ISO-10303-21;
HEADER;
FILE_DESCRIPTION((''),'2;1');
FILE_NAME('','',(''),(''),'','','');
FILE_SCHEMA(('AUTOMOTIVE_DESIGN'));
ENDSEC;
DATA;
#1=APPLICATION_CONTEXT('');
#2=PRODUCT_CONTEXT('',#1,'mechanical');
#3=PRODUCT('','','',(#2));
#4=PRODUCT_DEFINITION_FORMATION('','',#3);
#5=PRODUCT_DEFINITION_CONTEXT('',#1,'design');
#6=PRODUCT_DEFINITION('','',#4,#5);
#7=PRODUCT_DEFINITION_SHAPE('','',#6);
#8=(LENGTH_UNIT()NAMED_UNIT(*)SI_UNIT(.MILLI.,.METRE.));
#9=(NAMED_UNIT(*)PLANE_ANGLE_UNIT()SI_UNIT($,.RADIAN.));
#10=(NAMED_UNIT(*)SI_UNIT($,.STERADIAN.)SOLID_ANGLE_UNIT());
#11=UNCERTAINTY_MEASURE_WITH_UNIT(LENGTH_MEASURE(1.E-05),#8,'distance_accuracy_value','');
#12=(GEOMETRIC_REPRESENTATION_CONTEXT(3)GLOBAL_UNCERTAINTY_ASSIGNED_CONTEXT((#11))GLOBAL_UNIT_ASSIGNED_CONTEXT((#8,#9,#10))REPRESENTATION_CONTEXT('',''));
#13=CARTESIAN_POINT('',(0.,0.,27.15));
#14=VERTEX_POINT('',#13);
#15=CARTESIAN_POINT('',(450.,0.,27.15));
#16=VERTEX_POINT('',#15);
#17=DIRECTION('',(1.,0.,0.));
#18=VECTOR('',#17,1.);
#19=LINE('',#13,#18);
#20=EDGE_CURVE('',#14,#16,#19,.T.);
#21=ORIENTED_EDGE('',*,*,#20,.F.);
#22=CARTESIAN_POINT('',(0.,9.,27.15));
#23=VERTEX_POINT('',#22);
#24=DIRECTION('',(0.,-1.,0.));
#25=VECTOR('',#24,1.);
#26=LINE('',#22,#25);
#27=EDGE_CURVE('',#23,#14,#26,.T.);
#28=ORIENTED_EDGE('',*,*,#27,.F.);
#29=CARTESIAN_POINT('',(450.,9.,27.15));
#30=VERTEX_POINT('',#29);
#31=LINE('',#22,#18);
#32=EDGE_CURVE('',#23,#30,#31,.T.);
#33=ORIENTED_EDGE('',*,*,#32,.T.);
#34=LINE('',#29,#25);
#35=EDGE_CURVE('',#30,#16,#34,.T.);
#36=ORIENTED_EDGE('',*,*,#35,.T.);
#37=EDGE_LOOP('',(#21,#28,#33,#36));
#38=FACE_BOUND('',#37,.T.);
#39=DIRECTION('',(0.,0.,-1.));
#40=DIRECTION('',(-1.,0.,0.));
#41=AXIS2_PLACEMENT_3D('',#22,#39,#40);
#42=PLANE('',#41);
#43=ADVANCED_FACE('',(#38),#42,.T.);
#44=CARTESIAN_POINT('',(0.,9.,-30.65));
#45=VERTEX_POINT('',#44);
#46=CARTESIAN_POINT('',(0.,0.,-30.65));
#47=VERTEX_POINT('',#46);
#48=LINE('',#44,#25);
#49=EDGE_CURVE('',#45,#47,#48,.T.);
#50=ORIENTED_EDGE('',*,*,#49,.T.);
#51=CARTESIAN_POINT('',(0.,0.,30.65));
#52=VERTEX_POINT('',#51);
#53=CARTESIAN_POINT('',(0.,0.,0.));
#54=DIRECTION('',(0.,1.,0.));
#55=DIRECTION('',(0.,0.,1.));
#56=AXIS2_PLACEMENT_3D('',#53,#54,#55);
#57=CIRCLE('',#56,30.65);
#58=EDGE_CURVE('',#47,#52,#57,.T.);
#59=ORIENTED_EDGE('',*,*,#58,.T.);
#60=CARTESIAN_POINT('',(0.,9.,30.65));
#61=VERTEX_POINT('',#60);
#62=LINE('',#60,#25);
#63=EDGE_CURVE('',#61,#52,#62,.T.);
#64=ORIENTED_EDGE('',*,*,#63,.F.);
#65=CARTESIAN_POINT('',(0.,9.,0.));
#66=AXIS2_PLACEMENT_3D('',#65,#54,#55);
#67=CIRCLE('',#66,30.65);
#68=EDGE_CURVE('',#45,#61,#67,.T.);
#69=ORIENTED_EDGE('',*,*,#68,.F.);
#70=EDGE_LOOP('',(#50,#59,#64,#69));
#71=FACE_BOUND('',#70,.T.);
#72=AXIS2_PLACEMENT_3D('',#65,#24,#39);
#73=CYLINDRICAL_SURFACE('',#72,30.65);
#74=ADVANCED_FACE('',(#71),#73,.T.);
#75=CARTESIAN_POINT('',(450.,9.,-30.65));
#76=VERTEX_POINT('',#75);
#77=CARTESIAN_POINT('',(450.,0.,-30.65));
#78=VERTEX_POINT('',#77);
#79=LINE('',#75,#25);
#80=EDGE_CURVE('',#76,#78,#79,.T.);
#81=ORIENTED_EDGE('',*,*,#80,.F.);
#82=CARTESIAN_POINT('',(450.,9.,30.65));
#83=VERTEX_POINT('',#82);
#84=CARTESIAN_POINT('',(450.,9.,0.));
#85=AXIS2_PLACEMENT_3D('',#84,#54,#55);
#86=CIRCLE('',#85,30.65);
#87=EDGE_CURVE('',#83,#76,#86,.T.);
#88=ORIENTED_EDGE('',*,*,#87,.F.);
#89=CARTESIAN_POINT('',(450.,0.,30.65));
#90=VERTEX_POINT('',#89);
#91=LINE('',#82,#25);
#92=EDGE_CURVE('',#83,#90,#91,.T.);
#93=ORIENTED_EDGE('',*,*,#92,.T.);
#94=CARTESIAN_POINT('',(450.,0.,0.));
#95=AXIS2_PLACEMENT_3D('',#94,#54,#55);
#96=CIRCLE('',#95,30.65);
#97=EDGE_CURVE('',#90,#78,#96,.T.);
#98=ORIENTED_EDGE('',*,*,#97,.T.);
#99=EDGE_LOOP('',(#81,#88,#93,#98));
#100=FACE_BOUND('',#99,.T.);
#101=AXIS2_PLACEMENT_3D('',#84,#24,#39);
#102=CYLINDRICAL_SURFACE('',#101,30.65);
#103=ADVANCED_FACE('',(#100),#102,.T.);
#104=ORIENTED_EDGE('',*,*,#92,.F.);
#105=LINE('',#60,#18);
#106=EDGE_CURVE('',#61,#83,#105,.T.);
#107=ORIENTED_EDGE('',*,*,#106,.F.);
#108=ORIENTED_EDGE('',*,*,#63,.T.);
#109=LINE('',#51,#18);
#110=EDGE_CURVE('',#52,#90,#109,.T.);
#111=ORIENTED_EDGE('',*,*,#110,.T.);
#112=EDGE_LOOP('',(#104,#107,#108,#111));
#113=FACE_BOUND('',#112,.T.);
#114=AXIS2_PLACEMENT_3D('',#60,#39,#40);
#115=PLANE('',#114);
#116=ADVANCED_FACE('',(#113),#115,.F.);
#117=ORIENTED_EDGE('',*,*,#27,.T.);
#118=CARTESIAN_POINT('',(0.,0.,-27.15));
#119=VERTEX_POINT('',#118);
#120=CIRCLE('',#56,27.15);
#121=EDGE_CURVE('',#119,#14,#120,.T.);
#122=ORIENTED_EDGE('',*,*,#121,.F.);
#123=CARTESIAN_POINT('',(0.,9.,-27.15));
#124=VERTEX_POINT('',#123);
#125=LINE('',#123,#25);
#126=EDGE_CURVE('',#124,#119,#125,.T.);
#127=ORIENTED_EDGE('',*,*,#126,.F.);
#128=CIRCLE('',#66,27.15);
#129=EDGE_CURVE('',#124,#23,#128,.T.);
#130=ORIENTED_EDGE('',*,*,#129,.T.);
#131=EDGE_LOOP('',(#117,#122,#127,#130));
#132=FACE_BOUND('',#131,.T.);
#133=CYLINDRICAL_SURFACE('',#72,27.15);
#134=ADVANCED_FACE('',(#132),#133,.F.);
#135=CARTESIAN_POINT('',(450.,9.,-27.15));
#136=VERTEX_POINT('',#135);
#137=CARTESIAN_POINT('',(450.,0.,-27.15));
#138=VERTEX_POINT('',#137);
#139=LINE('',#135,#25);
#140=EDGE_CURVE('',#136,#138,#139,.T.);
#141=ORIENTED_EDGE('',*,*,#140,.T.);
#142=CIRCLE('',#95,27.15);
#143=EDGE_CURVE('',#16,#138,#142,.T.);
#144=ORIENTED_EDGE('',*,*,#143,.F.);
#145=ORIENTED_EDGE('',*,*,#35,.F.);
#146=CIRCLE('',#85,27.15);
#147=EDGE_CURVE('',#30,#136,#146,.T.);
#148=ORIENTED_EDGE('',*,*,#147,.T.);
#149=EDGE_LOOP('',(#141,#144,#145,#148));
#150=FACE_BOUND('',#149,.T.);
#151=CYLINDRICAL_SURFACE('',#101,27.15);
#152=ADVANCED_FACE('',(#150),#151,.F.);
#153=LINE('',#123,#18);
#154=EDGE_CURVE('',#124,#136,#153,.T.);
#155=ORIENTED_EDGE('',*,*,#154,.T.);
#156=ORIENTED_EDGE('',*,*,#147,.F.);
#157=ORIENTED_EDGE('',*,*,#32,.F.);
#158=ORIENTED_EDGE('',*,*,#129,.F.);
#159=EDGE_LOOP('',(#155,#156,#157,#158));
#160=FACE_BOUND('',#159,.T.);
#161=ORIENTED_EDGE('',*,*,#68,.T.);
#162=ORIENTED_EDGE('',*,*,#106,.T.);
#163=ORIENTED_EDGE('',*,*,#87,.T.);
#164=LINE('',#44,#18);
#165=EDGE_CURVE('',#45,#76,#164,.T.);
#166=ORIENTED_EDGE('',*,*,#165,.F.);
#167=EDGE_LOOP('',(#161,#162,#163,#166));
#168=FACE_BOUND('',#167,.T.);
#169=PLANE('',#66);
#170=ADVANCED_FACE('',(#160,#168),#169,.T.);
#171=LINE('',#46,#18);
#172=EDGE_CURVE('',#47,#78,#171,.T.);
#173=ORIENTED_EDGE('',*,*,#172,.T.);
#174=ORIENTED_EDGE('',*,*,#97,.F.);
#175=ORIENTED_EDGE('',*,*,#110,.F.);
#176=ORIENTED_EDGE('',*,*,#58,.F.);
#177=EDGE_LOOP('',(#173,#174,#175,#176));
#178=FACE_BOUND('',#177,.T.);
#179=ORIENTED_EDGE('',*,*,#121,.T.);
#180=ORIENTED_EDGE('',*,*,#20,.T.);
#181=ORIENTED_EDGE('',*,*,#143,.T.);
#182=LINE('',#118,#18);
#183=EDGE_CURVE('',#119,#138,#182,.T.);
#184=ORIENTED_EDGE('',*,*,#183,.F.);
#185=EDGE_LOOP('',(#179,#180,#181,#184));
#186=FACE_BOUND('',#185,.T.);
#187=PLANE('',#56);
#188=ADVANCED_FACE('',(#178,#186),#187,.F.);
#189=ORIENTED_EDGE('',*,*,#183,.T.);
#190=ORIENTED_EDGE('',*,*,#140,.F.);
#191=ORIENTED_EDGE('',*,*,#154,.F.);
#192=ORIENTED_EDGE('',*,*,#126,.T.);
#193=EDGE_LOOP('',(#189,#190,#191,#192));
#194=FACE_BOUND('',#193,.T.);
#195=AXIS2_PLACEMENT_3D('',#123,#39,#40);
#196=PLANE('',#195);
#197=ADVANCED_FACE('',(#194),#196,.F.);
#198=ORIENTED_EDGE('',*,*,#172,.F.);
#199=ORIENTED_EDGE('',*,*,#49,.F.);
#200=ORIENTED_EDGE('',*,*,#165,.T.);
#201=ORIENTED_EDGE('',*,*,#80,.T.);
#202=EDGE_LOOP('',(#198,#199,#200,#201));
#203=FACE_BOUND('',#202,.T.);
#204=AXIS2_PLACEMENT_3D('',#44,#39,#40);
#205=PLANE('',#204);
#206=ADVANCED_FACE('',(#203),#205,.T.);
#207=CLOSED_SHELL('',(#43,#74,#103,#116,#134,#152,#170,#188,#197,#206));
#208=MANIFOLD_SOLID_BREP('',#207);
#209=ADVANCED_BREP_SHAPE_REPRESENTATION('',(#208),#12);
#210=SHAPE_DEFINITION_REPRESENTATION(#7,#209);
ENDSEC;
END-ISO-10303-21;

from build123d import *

# Parameters (mm, degrees)
BOSS_EXTRUDE1_DEPTH = 9


with BuildPart() as part:
    # Sketch1 → Boss-Extrude1 (new body)
    # profile 1 of 2: a face of its own
    with BuildSketch(Plane(origin=(0, 0, 0), x_dir=(1, 0, 0), z_dir=(0, 1, 0))):
        with BuildLine():
            Line((0, 30.65), (450, 30.65))
            ThreePointArc((450, 30.65), (480.65, 0), (450, -30.65))
            Line((450, -30.65), (0, -30.65))
            ThreePointArc((0, -30.65), (-30.65, 0), (0, 30.65))
        make_face()
        with BuildLine():
            ThreePointArc((450, -28.65), (478.65, 0), (450, 28.65))
            Line((450, 28.65), (0, 28.65))
            ThreePointArc((0, 28.65), (-28.65, 0), (0, -28.65))
            Line((0, -28.65), (450, -28.65))
        make_face(mode=Mode.SUBTRACT)
    # profile 2 of 2: a face of its own
    with BuildSketch(Plane(origin=(0, 0, 0), x_dir=(1, 0, 0), z_dir=(0, 1, 0))):
        with BuildLine():
            Line((0, -28.65), (450, -28.65))
            ThreePointArc((450, -28.65), (478.65, 0), (450, 28.65))
            Line((450, 28.65), (0, 28.65))
            ThreePointArc((0, 28.65), (-28.65, 0), (0, -28.65))
        make_face()
        with BuildLine():
            ThreePointArc((0, 27.15), (-27.15, 0), (0, -27.15))
            Line((0, -27.15), (450, -27.15))
            ThreePointArc((450, -27.15), (477.15, 0), (450, 27.15))
            Line((450, 27.15), (0, 27.15))
        make_face(mode=Mode.SUBTRACT)
    extrude(amount=BOSS_EXTRUDE1_DEPTH)


solid = part.part
